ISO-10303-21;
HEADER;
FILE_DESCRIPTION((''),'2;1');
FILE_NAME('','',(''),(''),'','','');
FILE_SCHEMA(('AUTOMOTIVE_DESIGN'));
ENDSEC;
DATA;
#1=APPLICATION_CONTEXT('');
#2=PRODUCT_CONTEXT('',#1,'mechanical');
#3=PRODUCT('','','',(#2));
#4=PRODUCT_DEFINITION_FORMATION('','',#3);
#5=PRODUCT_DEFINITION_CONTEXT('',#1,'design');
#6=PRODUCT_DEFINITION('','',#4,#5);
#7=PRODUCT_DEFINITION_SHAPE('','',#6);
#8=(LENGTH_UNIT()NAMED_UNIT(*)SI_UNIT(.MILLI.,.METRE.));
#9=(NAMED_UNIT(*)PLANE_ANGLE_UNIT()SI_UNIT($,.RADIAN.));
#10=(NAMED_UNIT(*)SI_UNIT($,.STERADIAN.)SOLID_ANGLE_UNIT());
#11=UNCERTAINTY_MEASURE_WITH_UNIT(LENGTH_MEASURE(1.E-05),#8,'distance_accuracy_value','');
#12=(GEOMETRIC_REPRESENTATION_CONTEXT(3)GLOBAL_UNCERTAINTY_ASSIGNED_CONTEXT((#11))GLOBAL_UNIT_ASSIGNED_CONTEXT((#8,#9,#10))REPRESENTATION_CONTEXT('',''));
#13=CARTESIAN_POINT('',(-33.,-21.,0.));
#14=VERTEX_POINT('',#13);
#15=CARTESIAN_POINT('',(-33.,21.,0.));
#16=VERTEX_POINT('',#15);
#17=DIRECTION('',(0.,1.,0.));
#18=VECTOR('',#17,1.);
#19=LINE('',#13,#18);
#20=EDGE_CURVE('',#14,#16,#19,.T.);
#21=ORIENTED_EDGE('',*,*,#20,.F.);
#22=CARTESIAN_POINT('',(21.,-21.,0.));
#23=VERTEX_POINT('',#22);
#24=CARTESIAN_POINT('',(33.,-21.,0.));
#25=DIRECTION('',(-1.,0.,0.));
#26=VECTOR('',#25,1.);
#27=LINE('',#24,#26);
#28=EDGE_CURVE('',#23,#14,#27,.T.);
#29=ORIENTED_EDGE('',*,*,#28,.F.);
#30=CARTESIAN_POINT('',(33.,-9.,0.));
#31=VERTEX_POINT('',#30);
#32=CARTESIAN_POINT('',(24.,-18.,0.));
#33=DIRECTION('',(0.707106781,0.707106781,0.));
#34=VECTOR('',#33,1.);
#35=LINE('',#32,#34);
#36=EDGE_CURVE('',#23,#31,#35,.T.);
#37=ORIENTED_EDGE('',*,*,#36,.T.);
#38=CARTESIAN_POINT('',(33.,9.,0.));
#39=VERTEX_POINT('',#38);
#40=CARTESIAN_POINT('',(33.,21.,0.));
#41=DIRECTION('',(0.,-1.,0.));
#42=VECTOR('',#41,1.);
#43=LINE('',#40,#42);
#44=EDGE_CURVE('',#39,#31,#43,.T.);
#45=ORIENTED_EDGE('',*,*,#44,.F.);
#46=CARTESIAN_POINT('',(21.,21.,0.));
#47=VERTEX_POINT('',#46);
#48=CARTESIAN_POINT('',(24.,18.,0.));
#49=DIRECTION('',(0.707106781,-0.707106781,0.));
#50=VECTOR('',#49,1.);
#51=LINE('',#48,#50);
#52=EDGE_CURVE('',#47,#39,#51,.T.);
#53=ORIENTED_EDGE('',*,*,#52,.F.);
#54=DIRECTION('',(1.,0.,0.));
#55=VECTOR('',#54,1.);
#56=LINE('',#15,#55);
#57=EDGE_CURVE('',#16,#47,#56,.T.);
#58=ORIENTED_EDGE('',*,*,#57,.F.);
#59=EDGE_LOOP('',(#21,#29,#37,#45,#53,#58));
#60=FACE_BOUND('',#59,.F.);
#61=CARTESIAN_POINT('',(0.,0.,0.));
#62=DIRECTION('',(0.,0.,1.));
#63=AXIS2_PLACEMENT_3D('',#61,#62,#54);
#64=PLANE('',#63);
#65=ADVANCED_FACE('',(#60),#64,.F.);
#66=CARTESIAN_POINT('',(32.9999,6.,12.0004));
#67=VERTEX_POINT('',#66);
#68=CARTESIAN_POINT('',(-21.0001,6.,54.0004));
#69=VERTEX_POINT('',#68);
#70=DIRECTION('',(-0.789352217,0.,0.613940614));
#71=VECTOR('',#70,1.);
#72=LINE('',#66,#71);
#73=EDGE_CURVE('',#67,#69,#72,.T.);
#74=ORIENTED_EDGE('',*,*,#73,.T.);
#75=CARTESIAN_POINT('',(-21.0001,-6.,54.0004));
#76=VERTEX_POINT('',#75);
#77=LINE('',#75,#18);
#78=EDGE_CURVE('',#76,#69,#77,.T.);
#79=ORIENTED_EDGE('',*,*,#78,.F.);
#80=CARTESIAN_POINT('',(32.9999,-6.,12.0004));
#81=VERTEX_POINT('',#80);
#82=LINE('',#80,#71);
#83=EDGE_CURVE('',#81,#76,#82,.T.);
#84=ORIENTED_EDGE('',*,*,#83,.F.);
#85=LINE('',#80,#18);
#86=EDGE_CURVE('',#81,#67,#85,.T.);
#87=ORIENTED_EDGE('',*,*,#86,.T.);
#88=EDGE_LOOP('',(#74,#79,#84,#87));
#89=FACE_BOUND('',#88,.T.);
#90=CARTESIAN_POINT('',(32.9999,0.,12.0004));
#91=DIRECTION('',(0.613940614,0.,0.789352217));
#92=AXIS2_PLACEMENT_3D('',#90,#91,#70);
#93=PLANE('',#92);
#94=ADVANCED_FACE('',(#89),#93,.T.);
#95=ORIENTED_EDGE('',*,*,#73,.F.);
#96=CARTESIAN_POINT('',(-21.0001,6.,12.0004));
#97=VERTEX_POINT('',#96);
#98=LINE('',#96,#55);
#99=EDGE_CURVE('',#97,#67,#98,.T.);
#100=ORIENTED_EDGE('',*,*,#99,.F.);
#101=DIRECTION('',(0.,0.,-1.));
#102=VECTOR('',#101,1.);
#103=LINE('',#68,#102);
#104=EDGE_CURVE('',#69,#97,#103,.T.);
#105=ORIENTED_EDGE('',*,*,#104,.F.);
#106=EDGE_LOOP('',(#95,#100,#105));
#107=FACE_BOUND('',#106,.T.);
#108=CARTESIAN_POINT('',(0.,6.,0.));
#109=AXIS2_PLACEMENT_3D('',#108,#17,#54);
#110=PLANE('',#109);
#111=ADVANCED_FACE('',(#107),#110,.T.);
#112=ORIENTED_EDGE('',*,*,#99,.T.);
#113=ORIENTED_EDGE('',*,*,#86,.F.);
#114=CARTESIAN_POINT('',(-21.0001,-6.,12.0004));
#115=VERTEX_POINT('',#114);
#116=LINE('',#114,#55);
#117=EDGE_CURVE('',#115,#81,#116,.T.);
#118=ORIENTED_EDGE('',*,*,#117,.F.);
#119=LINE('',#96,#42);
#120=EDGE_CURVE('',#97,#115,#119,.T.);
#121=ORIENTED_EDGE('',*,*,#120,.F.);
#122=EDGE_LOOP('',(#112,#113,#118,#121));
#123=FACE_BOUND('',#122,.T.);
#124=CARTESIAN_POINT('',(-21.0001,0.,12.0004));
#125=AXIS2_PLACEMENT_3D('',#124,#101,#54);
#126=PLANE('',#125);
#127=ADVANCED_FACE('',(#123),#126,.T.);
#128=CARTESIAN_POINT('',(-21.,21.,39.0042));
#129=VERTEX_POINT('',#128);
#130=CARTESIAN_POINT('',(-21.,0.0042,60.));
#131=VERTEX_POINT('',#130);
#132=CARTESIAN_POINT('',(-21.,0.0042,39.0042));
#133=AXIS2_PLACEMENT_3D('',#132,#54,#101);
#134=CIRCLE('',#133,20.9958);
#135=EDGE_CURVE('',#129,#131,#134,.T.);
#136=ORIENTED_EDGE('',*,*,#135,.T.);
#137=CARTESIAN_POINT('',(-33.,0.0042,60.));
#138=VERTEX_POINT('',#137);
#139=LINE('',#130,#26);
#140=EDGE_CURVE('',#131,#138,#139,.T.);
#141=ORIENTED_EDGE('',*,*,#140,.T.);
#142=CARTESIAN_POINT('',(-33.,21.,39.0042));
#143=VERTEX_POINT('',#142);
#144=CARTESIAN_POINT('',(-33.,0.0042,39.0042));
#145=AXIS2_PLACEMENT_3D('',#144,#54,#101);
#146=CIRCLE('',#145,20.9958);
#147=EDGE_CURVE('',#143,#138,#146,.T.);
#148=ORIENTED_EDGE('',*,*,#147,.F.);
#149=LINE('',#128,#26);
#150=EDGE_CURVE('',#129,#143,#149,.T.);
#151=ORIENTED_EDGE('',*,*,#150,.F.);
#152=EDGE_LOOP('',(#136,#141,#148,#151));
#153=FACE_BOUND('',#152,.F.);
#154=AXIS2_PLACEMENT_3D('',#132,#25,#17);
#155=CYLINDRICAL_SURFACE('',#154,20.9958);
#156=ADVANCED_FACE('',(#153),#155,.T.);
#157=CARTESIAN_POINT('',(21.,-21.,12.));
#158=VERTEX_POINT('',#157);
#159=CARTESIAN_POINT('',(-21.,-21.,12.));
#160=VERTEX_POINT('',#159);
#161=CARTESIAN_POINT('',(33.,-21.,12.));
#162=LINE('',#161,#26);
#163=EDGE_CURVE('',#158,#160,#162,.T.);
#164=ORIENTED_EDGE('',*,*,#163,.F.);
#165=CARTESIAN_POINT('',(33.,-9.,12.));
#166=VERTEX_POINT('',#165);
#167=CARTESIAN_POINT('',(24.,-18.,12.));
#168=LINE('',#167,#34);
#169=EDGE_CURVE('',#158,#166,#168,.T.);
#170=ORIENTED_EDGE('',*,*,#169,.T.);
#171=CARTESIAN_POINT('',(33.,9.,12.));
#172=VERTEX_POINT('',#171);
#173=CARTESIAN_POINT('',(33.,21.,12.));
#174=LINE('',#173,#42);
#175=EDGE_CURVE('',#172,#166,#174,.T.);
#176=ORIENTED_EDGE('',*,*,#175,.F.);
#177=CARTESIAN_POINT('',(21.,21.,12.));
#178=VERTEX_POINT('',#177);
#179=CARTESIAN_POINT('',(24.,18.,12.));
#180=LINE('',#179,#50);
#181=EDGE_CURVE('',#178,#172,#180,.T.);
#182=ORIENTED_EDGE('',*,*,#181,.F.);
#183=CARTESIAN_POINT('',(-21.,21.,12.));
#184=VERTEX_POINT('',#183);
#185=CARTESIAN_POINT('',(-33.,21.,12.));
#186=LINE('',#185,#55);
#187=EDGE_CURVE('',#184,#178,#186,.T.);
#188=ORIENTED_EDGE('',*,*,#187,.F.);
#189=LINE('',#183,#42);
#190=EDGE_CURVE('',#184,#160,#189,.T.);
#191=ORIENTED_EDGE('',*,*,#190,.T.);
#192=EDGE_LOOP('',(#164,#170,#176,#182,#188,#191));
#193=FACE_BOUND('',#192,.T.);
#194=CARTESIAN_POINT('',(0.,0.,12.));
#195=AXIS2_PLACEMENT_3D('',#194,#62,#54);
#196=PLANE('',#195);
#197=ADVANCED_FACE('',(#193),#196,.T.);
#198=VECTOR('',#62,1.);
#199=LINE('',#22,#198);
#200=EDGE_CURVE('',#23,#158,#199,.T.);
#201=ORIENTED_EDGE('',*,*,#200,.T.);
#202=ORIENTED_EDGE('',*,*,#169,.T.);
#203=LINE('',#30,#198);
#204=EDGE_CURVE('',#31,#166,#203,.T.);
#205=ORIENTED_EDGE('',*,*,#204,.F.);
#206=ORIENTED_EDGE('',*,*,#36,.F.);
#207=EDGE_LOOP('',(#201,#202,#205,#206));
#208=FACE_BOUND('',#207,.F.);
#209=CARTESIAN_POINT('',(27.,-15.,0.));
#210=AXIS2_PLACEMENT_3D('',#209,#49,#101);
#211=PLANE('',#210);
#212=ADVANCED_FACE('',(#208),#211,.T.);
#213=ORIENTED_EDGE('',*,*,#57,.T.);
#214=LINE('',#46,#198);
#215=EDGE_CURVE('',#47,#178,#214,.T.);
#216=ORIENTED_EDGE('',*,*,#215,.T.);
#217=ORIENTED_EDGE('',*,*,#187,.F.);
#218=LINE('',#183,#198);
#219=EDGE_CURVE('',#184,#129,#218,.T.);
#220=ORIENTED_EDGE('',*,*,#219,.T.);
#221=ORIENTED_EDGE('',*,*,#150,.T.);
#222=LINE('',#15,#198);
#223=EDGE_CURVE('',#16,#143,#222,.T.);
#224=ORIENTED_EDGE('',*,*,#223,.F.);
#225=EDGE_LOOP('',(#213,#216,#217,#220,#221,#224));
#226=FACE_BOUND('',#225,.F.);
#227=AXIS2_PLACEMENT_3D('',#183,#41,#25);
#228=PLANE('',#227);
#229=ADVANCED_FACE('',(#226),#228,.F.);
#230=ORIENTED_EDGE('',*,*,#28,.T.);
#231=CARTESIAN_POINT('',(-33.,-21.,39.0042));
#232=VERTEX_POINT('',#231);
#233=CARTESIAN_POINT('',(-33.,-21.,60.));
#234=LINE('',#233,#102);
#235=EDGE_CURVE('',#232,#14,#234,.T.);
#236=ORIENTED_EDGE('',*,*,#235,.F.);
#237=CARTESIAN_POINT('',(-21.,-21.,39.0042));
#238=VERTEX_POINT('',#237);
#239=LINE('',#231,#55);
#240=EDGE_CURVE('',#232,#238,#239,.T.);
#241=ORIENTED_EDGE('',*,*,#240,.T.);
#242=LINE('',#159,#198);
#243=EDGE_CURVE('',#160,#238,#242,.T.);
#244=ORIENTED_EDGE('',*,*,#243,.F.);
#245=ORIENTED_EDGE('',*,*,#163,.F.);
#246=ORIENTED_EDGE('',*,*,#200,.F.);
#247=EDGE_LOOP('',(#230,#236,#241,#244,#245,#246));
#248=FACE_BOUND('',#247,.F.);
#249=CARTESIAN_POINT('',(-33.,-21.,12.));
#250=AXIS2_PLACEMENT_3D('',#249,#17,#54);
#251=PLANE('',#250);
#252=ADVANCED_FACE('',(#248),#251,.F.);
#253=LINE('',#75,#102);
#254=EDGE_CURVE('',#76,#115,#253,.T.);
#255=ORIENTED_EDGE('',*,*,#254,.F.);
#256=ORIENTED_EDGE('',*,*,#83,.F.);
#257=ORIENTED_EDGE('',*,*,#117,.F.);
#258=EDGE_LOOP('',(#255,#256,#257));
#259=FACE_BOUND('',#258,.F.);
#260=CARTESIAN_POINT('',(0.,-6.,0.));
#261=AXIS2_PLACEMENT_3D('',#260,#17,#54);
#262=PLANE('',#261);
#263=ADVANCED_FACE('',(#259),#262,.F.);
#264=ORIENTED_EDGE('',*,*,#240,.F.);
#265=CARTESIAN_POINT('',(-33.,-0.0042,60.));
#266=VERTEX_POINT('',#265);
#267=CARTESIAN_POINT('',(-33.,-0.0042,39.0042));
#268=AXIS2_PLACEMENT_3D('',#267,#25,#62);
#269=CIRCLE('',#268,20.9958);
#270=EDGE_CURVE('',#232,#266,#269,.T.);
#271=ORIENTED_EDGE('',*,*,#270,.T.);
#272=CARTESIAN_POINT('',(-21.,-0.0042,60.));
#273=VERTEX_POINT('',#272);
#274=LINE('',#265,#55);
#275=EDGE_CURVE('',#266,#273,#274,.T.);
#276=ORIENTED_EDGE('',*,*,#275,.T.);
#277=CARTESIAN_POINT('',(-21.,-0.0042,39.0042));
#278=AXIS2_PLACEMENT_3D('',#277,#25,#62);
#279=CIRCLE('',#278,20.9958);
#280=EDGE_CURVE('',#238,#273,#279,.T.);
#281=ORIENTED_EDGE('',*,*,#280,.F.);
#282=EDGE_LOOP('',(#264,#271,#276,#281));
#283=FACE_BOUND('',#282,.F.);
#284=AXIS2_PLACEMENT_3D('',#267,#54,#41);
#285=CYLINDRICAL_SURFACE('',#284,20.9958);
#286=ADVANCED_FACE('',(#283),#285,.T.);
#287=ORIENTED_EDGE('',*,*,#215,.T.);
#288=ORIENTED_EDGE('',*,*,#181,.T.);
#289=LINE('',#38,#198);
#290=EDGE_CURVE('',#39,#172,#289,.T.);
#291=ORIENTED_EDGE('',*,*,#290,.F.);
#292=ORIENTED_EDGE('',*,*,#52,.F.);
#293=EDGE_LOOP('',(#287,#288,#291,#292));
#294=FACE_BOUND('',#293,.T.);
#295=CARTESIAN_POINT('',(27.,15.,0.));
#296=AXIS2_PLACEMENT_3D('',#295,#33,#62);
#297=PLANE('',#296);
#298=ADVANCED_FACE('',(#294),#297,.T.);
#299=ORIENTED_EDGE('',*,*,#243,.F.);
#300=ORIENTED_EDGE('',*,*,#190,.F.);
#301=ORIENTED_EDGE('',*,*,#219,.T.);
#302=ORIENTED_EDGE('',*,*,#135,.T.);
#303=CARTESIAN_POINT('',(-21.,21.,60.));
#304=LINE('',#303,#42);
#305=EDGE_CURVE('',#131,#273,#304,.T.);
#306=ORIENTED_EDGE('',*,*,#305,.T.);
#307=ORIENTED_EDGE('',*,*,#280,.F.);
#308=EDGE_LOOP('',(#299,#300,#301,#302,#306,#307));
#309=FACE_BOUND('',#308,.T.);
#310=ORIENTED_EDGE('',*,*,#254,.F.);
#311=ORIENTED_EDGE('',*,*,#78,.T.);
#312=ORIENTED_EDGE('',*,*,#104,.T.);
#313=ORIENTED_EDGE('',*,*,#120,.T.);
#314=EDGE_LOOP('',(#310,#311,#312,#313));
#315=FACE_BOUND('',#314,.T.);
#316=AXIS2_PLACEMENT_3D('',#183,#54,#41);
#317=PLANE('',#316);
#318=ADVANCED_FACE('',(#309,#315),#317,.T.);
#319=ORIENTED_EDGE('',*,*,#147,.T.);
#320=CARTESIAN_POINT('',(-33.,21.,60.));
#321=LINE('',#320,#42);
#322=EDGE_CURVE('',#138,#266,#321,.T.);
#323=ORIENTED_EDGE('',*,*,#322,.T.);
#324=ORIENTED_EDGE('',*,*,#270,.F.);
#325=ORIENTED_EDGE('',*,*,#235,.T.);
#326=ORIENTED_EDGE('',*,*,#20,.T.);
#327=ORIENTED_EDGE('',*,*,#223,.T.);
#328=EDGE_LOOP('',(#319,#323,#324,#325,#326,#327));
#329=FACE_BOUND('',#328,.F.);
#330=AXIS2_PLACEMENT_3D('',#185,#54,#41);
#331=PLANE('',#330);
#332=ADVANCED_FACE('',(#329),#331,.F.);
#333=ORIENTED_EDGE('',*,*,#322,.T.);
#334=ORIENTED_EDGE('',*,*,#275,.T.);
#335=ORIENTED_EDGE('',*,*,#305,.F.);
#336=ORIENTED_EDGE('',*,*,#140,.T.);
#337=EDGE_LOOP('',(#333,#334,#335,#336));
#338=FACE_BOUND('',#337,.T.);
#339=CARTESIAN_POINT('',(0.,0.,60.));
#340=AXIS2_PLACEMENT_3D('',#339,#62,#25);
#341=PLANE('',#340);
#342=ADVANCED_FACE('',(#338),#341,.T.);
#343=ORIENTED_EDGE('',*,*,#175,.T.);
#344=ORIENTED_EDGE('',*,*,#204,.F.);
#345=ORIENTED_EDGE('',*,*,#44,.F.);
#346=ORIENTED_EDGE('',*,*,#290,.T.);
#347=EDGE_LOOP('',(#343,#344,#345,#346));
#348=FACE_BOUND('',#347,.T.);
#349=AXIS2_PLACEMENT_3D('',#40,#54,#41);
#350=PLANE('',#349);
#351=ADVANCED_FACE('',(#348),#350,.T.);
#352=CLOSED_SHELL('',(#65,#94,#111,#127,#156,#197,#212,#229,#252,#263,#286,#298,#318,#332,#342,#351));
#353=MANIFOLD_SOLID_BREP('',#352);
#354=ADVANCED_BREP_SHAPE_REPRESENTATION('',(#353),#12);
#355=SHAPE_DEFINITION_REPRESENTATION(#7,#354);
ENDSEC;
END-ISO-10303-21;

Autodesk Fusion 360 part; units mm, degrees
sketch "Sketch1" plane through (0, 0, 0) normal (0, 0, 1) x (1, 0, 0)
  line L0 (33, -21) -> (-33, -21)
  line L1 (-33, -21) -> (-33, 21)
  line L2 (-33, 21) -> (33, 21)
  line L3 (33, 21) -> (33, -21)
  line L4 (33, -21) -> (-33, 21) construction
  line L5 (-33, -21) -> (33, 21) construction
  dimension "d1" = 66
  dimension "d2" = 42
extrude "Extrude1" add sketch "Sketch1" along normal blind 12
chamfer "Chamfer1" distance 12 angle 45 2 edges at (33, -21, 6) (33, 21, 6)
sketch "Sketch2" plane through (0, 0, 12) normal (0, 0, 1) x (-1, 0, 0)
  line L0 (-33, -9) -> (-21, -21)
  line L1 (-21, -21) -> (33, -21)
  line L2 (33, -21) -> (33, 21)
  line L3 (33, 21) -> (-21, 21)
  line L4 (-21, 21) -> (-33, 9)
  line L5 (-33, 9) -> (-33, -9)
  line L6 (33, -21) -> (21, -21)
  line L7 (21, -21) -> (21, 21)
  line L8 (21, 21) -> (33, 21)
  line L9 (33, 21) -> (33, -21)
  dimension "d6" = 12
extrude "Extrude2" add sketch "Sketch2" along normal blind 48 contours L1 L2 L3 L6 L7 L8 L9
fillet "Fillet1" radius 21 2 edges at (-27, -21, 60) (-27, 21, 60)
sketch "Sketch3" plane through (0, 0, 0) normal (0, 1, 0) x (1, 0, 0)
  line L0 (-21.0001, -54.0004) -> (-21.0001, -12.0004)
  line L1 (-21.0001, -12.0004) -> (32.9999, -12.0004)
  line L2 (32.9999, -12.0004) -> (-21.0001, -54.0004)
  dimension "d11" = 42
  dimension "d12" = 54
extrude "Extrude3" add sketch "Sketch3" along normal mid plane 12
equation "d7 = 60.00 mm - 12.00 mm"
equation "d12 = 66 mm - 12 mm"
